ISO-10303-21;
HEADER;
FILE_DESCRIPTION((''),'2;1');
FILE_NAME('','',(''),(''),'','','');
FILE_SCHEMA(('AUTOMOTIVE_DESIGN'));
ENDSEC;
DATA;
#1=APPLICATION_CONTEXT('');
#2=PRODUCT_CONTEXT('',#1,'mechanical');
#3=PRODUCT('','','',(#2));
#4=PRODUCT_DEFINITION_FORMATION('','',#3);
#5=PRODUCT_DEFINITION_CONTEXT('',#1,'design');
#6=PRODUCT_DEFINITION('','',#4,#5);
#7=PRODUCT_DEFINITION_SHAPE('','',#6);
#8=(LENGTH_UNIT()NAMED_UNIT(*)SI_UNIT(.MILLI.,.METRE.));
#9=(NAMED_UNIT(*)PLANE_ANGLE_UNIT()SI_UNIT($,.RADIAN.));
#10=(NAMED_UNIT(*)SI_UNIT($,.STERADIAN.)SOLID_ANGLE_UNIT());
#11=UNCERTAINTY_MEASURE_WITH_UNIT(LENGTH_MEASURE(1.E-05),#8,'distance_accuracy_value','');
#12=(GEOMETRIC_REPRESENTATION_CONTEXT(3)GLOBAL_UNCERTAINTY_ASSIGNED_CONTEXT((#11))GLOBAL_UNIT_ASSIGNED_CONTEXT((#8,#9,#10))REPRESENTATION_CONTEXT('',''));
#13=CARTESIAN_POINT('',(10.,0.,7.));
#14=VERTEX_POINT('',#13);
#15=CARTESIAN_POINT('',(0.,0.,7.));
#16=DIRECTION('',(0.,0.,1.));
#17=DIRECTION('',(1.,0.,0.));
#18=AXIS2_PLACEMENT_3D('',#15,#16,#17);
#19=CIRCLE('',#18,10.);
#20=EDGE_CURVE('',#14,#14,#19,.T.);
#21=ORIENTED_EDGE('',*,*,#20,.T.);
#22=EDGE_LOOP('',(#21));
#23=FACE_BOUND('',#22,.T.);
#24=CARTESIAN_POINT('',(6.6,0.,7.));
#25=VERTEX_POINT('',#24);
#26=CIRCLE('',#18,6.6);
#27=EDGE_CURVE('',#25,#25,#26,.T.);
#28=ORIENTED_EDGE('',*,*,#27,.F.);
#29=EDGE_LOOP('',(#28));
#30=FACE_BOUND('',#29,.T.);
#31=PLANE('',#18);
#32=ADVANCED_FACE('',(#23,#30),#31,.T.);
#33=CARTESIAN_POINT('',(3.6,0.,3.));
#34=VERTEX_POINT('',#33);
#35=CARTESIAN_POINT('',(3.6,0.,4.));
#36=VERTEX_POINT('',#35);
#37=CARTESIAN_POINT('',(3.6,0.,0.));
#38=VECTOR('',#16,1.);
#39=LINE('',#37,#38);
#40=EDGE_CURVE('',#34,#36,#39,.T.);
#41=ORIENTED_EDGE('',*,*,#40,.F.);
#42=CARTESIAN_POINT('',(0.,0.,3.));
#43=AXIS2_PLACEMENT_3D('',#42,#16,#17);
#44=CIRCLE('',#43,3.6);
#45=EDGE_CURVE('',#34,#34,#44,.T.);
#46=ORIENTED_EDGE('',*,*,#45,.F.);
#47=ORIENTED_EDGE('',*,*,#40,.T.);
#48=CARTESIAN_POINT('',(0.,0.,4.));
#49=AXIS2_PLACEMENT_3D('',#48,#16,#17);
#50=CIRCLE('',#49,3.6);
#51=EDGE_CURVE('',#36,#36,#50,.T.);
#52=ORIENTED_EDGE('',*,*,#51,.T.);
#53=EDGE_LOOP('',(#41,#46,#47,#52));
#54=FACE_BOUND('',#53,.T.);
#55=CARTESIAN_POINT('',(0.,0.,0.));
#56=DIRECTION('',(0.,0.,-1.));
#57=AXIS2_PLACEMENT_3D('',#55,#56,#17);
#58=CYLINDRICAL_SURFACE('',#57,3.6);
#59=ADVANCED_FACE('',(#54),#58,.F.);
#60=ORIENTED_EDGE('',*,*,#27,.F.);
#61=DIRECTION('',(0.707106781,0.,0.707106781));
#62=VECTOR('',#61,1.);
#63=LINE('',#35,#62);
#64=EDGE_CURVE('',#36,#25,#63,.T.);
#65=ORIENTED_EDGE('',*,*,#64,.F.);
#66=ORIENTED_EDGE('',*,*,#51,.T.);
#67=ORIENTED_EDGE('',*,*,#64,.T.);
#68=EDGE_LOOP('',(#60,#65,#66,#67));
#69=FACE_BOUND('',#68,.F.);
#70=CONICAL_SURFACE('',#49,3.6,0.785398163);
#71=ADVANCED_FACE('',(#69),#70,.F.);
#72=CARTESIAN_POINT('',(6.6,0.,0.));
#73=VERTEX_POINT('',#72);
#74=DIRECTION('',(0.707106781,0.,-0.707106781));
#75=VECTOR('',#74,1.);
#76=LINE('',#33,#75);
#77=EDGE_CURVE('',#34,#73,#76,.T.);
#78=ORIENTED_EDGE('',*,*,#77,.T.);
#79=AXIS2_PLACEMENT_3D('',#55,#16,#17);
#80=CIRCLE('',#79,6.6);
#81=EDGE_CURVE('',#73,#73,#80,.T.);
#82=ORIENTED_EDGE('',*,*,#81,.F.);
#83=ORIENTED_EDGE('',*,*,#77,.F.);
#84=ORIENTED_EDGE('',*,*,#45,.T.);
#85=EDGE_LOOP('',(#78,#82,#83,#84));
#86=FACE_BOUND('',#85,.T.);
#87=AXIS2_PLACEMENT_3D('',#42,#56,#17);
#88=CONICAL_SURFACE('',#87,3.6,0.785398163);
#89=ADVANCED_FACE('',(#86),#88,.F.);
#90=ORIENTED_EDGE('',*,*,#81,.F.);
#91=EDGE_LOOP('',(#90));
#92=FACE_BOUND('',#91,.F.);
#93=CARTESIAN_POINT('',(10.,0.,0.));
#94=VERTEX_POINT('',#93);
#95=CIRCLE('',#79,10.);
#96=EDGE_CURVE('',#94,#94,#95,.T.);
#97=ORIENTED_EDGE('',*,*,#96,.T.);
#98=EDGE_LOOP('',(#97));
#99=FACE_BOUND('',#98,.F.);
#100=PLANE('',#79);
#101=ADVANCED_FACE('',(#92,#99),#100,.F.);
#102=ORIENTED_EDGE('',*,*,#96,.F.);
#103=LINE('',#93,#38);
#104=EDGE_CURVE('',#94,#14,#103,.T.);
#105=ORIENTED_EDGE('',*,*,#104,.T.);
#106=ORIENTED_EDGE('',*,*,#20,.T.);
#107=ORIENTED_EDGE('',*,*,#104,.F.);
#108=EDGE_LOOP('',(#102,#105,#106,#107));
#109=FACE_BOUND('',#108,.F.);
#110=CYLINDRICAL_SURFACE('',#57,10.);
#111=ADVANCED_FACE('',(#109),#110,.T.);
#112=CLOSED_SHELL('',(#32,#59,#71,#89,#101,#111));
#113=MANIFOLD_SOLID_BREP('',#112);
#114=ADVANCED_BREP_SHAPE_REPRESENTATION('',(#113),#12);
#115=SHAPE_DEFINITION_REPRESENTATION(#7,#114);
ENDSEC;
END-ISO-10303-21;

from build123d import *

# Parameters (mm, degrees)
SKETCH_R     = 10
SKETCH_R_2   = 3.6
PAD_DEPTH    = 7
CHAMFER_SIZE = 3


with BuildPart() as part:
    # Sketch → Pad (new body)
    with BuildSketch(Plane.XY):
        Circle(SKETCH_R)
        Circle(SKETCH_R_2, mode=Mode.SUBTRACT)
    extrude(amount=PAD_DEPTH)

    # Chamfer
    chamfer_edges = [part.edges().sort_by_distance(p)[0] for p in [
        (-3.6, 0, 7),
        (-3.6, 0, 0),
    ]]
    chamfer(chamfer_edges, length=CHAMFER_SIZE)


solid = part.part
